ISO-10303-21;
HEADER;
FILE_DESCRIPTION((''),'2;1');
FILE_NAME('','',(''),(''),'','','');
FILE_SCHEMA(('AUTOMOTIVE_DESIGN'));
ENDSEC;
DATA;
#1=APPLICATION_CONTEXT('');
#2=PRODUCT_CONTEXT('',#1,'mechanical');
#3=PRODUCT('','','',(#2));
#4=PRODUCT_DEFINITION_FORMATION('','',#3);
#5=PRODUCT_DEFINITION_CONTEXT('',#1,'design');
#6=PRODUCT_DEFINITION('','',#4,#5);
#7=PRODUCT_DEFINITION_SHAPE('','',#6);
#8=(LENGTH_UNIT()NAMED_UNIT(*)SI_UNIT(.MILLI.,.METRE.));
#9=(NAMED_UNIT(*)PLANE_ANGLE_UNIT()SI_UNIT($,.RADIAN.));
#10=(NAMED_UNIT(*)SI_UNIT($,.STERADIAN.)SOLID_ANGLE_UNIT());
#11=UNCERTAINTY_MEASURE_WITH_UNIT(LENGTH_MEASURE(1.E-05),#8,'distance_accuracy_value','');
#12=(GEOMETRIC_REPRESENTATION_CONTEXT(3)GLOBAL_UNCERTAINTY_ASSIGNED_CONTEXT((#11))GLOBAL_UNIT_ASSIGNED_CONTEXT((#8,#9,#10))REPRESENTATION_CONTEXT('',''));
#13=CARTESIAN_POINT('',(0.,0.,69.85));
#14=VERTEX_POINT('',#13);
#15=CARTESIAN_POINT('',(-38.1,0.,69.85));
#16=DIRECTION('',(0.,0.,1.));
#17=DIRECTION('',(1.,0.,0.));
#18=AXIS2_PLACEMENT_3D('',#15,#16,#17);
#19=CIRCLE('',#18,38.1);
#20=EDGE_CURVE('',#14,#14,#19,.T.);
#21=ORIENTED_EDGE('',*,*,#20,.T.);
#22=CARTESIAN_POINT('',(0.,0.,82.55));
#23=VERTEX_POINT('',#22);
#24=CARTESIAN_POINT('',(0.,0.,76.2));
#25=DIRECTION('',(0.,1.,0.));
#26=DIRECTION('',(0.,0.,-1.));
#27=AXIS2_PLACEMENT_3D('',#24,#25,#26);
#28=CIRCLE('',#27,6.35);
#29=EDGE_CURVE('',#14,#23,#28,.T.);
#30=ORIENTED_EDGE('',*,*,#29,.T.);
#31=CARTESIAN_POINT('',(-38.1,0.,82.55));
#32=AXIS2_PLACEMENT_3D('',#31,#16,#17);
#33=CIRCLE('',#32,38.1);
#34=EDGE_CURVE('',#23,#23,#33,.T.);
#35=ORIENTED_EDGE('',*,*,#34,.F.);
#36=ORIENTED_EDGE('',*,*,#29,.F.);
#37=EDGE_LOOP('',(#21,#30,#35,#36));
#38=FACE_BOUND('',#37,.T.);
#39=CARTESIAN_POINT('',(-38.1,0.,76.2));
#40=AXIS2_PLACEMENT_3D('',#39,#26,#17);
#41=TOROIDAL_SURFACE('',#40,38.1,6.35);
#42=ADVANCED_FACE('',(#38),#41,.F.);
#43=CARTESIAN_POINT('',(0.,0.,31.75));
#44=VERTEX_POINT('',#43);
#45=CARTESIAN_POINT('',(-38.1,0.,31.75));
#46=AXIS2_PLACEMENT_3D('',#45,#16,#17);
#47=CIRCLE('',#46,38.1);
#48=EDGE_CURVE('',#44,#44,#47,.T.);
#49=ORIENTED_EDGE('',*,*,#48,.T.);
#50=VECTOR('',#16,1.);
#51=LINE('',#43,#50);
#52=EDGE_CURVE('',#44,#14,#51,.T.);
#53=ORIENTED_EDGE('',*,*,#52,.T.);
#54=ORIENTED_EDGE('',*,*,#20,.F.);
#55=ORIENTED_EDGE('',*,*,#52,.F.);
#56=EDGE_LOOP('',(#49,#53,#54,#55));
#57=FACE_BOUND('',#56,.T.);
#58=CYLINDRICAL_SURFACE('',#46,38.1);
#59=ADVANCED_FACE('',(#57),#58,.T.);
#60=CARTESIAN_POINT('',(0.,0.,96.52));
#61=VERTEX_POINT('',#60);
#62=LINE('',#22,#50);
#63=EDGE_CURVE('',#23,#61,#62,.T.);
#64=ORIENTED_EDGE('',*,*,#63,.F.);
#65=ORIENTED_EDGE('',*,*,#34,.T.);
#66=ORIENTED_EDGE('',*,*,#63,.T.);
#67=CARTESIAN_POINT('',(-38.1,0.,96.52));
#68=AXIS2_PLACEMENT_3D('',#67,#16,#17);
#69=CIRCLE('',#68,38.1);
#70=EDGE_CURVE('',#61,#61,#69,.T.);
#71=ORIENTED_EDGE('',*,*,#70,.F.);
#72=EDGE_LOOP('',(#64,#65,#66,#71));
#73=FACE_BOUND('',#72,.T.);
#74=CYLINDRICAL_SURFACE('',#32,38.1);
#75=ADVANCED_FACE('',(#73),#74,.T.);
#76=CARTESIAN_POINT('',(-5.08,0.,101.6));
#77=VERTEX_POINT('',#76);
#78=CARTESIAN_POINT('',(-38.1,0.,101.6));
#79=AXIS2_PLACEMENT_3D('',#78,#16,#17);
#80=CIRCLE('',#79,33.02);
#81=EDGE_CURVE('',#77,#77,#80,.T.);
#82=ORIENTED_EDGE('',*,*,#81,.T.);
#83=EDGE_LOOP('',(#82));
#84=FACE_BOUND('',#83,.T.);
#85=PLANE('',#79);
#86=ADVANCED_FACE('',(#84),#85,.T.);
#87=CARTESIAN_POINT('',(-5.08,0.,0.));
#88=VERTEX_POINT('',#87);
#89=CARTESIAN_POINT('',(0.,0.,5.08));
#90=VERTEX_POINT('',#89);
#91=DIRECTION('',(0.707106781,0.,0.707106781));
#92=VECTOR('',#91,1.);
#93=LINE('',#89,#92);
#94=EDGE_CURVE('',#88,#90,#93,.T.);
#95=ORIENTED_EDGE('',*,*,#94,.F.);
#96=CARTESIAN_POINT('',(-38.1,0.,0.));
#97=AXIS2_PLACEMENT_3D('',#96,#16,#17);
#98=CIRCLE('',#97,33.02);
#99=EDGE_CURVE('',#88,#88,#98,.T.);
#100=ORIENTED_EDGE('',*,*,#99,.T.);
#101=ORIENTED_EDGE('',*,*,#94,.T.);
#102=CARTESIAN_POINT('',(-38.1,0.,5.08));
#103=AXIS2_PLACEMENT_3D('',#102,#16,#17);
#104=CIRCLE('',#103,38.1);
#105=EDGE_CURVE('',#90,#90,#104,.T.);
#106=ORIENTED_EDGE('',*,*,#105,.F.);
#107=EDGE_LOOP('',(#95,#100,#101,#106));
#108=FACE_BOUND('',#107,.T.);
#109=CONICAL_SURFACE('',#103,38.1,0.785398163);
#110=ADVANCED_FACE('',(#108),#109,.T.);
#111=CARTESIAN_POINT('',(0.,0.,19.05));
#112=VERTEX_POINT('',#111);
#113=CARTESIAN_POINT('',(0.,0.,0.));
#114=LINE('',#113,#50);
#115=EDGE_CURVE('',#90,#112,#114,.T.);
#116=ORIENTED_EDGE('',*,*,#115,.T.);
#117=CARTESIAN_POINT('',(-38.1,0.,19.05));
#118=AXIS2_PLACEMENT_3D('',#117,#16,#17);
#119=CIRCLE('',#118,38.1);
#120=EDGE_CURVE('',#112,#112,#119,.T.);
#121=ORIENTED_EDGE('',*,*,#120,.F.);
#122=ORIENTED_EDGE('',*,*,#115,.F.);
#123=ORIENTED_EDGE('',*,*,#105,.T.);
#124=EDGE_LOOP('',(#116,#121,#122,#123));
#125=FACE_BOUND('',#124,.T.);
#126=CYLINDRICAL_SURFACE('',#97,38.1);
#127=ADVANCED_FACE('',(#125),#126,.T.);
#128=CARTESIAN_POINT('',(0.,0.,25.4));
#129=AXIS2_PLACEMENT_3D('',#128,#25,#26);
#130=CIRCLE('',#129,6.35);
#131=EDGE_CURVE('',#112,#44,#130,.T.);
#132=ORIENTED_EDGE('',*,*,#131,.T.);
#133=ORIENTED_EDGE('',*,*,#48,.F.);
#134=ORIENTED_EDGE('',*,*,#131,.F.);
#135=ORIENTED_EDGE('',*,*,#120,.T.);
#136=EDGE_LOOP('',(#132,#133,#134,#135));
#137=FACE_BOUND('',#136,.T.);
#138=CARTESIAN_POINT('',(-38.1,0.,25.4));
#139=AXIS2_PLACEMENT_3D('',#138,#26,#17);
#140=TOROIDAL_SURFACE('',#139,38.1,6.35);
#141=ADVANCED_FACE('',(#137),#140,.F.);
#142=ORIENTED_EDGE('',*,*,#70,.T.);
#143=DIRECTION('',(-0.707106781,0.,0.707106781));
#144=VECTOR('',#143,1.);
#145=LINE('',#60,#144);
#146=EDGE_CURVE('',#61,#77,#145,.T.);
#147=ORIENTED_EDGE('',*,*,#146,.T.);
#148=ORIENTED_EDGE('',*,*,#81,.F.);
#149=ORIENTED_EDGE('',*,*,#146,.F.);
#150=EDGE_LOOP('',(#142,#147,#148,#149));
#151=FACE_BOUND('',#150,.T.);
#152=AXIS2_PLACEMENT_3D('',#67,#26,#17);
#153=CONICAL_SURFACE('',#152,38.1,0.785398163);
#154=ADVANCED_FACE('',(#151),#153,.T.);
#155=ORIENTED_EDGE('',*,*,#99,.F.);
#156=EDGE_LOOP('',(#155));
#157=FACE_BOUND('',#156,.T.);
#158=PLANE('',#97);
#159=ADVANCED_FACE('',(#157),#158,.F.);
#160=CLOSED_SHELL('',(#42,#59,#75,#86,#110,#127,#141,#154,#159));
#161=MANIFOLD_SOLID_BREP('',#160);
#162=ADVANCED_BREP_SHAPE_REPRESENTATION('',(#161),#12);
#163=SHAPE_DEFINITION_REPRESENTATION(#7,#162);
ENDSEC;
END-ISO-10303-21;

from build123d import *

# Parameters (mm, degrees)
F2_SIZE = 5.08


with BuildPart() as f1:
    # F0 (on Front) → F1 (revolve)
    with BuildSketch(Plane.XZ):
        with BuildLine():
            Line((-38.1, 0), (0, 0))
            Line((0, 0), (0, 19.05))
            ThreePointArc((0, 19.05), (-6.35, 25.4), (0, 31.75))
            Line((0, 31.75), (0, 69.85))
            ThreePointArc((0, 69.85), (-6.35, 76.2), (0, 82.55))
            Line((0, 82.55), (0, 101.6))
            Line((0, 101.6), (-38.1, 101.6))
            Line((-38.1, 101.6), (-38.1, 0))
        make_face()
    revolve(axis=Axis((-38.1, 0, 50.8), (0, 0, 1)))

    # F2
    f2_edges = [f1.edges().sort_by_distance(p)[0] for p in [
        (-76.2, 0, 101.6),
        (-76.2, 0, 0),
    ]]
    chamfer(f2_edges, length=F2_SIZE)


solid = f1.part
